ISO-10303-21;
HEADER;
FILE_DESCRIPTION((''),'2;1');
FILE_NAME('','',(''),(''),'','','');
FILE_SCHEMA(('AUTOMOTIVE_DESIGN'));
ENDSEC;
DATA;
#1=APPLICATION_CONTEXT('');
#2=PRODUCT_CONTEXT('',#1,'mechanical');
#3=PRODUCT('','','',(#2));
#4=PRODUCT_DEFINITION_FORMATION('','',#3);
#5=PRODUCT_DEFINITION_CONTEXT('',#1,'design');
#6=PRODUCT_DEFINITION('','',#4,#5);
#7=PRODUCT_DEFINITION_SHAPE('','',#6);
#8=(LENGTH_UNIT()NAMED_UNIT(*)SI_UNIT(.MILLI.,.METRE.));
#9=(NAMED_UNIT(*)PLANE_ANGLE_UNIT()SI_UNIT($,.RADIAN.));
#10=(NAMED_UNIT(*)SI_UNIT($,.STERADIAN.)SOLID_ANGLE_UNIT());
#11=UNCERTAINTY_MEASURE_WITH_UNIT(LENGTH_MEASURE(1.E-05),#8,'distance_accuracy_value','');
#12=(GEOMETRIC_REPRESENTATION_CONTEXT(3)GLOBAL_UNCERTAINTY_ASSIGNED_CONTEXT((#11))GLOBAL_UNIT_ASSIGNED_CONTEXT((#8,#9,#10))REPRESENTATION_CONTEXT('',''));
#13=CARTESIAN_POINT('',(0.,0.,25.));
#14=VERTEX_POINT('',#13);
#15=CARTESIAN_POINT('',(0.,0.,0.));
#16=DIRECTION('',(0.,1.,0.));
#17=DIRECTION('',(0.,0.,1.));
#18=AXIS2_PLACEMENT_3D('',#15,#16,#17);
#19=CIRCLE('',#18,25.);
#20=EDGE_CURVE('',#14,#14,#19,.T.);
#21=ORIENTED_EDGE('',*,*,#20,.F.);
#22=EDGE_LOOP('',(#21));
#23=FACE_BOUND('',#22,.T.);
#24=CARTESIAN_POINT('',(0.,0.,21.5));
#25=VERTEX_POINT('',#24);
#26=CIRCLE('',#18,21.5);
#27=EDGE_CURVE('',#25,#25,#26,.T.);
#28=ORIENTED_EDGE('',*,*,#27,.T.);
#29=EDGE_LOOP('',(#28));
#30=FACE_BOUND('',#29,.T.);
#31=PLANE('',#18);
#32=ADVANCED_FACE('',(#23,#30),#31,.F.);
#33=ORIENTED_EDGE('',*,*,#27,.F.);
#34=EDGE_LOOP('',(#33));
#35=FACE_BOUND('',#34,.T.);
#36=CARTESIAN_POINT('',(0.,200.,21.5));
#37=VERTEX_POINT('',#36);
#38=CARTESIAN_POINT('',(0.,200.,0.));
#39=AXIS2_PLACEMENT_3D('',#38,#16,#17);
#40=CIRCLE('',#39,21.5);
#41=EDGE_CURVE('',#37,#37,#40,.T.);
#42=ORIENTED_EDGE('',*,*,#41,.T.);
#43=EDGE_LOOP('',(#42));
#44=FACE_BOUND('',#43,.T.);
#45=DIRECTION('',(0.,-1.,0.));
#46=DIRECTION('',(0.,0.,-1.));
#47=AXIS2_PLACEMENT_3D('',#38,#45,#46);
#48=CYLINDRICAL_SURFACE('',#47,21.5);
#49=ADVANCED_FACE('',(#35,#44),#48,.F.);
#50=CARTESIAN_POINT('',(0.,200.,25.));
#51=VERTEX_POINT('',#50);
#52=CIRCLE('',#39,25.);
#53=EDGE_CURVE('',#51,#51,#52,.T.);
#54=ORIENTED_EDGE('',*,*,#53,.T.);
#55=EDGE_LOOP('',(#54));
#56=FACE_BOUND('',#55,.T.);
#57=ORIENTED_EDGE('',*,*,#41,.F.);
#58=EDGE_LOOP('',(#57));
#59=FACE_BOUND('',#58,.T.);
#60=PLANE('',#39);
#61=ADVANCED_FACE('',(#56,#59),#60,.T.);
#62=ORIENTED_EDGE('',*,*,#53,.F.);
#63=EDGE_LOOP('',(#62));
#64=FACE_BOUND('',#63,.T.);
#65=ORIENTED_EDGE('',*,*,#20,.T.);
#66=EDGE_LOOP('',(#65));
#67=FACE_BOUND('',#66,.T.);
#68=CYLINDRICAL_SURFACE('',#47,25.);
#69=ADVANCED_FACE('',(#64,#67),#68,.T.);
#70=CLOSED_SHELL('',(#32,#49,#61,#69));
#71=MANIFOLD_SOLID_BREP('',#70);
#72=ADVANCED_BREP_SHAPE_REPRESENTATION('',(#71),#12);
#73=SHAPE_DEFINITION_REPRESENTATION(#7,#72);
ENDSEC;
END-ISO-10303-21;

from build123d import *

# Parameters (mm, degrees)
SKETCH4_R           = 25
SKETCH4_R_2         = 21.5
BOSS_EXTRUDE1_DEPTH = 200


with BuildPart() as part:
    # Sketch4 → Boss-Extrude1 (new body)
    with BuildSketch(Plane(origin=(0, 0, 0), x_dir=(1, 0, 0), z_dir=(0, 1, 0))):
        with Locations(Location((0, 0, 0), (0, 0, 270))):
            Circle(SKETCH4_R)
        with Locations(Location((0, 0, 0), (0, 0, 270))):
            Circle(SKETCH4_R_2, mode=Mode.SUBTRACT)
    extrude(amount=BOSS_EXTRUDE1_DEPTH)


solid = part.part
